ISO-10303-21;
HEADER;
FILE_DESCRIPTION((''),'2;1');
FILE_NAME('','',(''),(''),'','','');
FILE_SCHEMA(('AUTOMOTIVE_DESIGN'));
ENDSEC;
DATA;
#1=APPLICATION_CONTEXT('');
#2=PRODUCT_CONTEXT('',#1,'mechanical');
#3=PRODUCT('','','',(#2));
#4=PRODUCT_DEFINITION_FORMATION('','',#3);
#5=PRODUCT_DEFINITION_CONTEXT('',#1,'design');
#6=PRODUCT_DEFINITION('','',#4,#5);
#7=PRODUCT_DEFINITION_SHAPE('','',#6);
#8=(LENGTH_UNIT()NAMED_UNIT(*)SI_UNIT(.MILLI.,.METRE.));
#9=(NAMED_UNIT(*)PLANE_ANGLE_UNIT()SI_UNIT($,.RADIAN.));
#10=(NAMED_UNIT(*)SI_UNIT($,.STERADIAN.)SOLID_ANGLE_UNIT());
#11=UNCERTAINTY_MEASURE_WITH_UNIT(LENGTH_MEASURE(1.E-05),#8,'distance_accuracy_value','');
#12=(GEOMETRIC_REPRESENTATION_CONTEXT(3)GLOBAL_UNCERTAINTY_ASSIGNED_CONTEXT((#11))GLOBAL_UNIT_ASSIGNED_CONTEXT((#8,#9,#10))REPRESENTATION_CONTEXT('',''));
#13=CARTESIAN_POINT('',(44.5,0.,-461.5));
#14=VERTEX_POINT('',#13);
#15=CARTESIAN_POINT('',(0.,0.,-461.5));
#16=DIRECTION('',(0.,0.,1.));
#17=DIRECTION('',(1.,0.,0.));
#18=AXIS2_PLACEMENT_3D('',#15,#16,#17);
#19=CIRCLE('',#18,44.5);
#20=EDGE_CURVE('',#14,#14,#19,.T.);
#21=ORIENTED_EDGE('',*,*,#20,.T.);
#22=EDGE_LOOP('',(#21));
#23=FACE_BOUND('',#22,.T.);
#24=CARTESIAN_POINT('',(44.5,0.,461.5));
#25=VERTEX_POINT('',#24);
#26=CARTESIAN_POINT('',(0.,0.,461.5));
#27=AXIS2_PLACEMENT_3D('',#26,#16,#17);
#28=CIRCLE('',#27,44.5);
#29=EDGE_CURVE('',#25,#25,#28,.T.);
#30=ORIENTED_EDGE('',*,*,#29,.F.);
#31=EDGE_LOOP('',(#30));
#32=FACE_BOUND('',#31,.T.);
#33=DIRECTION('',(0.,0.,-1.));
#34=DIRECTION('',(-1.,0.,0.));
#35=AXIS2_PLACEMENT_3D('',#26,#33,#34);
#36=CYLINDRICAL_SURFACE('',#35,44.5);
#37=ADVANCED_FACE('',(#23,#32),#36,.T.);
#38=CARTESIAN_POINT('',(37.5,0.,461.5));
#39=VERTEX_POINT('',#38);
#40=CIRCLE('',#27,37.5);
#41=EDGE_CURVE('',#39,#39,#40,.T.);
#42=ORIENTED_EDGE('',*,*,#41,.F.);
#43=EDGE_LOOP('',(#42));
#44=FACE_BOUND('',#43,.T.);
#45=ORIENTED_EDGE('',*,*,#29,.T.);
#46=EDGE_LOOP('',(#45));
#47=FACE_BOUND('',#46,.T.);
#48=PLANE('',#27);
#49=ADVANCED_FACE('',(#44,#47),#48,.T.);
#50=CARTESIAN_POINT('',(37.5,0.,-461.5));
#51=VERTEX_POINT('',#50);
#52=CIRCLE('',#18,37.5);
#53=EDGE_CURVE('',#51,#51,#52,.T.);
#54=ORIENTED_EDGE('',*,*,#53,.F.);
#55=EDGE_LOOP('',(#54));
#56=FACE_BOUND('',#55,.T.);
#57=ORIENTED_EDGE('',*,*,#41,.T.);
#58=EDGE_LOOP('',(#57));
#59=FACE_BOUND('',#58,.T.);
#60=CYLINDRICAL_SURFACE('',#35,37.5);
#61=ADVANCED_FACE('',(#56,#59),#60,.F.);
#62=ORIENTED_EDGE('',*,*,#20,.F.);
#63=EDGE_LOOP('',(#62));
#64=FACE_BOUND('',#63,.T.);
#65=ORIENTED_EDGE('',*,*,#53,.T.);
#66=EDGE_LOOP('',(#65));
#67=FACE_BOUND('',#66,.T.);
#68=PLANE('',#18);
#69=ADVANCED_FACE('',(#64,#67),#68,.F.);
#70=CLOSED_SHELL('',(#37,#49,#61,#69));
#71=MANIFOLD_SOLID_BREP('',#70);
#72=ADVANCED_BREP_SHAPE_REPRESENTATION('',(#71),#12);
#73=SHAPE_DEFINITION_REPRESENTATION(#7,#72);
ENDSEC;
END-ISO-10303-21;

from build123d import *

# Parameters (mm, degrees)
SKETCH1_R           = 44.5
SKETCH1_R_2         = 37.5
BOSS_EXTRUDE1_DEPTH = 461.5


with BuildPart() as part:
    # Sketch1 → Boss-Extrude1 (new, symmetric)
    with BuildSketch(Plane.XY):
        Circle(SKETCH1_R)
        Circle(SKETCH1_R_2, mode=Mode.SUBTRACT)
    extrude(amount=BOSS_EXTRUDE1_DEPTH, both=True)


solid = part.part
